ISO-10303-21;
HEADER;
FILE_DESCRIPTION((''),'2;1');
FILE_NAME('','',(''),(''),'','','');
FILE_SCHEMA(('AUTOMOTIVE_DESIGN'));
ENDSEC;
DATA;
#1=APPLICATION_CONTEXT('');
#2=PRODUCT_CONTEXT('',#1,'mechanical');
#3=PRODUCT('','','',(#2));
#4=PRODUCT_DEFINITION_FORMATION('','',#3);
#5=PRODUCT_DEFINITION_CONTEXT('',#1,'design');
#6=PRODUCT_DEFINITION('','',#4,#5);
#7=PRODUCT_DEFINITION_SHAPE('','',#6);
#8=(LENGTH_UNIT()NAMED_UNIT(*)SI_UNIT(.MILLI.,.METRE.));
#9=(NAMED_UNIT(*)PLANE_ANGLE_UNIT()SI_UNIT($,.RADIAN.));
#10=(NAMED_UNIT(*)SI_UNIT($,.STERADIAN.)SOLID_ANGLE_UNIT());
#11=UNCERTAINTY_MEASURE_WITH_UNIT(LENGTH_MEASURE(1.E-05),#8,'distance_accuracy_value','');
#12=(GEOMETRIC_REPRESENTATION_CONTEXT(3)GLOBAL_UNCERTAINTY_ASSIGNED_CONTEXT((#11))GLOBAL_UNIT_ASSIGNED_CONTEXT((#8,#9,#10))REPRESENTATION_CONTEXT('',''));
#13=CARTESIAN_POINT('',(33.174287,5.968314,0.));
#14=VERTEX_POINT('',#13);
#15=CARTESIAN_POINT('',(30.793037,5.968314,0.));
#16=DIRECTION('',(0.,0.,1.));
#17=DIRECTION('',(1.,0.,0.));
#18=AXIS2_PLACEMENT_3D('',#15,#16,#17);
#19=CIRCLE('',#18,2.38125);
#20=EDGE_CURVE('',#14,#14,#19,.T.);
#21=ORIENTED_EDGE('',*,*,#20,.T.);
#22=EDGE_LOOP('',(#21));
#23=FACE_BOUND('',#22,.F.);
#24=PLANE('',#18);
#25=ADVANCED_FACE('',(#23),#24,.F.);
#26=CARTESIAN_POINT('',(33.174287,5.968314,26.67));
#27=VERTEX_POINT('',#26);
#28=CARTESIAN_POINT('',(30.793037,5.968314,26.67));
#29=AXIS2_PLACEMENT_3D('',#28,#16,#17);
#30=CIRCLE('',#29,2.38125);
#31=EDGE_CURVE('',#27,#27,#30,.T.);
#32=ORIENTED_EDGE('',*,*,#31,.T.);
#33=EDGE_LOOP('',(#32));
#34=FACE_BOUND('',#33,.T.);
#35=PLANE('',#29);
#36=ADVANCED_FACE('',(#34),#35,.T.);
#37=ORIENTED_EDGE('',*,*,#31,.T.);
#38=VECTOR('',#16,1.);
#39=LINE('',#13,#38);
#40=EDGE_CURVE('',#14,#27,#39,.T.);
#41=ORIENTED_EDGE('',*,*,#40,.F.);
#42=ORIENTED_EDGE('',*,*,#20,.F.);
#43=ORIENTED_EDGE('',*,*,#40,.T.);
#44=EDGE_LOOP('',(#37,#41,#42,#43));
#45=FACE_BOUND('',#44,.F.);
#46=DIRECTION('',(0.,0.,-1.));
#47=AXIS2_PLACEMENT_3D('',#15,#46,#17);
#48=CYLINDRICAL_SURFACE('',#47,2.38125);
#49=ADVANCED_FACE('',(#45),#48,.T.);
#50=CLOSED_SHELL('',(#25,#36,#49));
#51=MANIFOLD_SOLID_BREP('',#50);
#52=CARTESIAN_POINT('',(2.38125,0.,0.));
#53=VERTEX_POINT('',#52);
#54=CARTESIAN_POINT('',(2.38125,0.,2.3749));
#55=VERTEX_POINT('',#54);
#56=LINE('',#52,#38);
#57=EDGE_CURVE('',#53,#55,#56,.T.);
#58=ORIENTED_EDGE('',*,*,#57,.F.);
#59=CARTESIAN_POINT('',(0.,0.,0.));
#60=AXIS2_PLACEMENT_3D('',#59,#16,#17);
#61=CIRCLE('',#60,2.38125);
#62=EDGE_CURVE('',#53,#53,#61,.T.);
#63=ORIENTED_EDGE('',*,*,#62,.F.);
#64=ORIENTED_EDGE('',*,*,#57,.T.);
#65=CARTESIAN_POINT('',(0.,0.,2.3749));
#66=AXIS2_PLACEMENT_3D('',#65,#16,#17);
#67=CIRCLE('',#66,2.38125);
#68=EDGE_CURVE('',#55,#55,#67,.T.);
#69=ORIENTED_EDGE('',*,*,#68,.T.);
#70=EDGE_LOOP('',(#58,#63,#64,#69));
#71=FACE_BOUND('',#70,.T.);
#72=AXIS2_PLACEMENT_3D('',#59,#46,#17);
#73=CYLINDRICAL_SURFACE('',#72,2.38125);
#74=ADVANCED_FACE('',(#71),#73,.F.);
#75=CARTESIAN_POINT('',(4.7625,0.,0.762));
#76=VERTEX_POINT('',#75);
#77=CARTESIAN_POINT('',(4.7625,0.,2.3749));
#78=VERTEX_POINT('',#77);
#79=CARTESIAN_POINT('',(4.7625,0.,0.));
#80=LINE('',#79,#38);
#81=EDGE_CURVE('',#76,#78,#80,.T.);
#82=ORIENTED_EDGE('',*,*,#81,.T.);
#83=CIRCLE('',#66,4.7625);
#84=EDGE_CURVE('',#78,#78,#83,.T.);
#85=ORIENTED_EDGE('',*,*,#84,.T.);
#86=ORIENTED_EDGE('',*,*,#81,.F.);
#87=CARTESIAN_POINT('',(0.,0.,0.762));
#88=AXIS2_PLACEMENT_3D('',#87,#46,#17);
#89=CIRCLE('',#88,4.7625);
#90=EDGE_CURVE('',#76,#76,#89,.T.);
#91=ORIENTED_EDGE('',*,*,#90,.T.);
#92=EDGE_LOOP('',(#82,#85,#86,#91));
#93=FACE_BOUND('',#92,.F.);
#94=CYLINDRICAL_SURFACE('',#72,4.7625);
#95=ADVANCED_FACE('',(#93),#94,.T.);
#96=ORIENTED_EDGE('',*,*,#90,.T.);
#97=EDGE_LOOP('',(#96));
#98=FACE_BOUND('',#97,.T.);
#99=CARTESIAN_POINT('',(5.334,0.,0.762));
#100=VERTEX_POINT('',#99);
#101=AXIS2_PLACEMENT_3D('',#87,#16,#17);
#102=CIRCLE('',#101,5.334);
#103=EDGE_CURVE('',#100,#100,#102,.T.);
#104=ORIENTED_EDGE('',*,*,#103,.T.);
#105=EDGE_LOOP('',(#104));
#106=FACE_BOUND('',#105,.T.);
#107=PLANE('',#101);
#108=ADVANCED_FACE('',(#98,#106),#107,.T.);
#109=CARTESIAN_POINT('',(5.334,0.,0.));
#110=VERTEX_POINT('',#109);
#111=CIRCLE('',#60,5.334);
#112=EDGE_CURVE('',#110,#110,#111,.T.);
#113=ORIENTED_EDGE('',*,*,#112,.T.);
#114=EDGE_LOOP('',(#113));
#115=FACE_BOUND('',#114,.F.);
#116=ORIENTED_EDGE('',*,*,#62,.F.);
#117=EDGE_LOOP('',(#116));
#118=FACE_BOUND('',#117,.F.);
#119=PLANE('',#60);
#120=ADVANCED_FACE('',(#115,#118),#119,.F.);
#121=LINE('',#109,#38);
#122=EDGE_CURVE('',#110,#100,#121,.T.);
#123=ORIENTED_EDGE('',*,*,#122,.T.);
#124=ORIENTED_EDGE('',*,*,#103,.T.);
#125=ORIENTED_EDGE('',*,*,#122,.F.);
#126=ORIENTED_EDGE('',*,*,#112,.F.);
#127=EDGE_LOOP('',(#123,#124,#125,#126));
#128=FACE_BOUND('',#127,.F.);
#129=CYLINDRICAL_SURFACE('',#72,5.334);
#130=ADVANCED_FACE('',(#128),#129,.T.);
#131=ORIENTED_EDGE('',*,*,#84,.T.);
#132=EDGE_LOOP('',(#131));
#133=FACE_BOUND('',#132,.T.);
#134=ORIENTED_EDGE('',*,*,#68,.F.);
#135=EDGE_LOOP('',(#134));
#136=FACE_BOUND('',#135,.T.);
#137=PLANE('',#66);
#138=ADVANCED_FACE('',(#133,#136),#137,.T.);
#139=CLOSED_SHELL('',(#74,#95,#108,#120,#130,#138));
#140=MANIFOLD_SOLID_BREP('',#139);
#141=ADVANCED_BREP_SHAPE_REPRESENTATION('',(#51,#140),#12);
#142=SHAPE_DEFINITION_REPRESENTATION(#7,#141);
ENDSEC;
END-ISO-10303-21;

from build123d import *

# Parameters (mm, degrees)
F0_R     = 5.334
F0_R_2   = 2.38125
F1_DEPTH = 0.762
F2_R     = 4.7625
F2_R_2   = 2.38125
F3_DEPTH = 2.3749
F4_R     = 2.38125
F5_DEPTH = 26.67


with BuildPart() as f1:
    # F0 (on Top) → F1 (new body)
    with BuildSketch(Plane.XY):
        Circle(F0_R)
        Circle(F0_R_2, mode=Mode.SUBTRACT)
    extrude(amount=F1_DEPTH)

    # F2 (on Top) → F3 (join)
    with BuildSketch(Plane.XY):
        Circle(F2_R)
        Circle(F2_R_2, mode=Mode.SUBTRACT)
    extrude(amount=F3_DEPTH)


with BuildPart() as f5:
    # F4 (on Top) → F5 (new body)
    with BuildSketch(Plane.XY):
        with Locations((30.793037, 5.968314)):
            Circle(F4_R)
    extrude(amount=F5_DEPTH)


solid = Compound([f1.part, f5.part])
